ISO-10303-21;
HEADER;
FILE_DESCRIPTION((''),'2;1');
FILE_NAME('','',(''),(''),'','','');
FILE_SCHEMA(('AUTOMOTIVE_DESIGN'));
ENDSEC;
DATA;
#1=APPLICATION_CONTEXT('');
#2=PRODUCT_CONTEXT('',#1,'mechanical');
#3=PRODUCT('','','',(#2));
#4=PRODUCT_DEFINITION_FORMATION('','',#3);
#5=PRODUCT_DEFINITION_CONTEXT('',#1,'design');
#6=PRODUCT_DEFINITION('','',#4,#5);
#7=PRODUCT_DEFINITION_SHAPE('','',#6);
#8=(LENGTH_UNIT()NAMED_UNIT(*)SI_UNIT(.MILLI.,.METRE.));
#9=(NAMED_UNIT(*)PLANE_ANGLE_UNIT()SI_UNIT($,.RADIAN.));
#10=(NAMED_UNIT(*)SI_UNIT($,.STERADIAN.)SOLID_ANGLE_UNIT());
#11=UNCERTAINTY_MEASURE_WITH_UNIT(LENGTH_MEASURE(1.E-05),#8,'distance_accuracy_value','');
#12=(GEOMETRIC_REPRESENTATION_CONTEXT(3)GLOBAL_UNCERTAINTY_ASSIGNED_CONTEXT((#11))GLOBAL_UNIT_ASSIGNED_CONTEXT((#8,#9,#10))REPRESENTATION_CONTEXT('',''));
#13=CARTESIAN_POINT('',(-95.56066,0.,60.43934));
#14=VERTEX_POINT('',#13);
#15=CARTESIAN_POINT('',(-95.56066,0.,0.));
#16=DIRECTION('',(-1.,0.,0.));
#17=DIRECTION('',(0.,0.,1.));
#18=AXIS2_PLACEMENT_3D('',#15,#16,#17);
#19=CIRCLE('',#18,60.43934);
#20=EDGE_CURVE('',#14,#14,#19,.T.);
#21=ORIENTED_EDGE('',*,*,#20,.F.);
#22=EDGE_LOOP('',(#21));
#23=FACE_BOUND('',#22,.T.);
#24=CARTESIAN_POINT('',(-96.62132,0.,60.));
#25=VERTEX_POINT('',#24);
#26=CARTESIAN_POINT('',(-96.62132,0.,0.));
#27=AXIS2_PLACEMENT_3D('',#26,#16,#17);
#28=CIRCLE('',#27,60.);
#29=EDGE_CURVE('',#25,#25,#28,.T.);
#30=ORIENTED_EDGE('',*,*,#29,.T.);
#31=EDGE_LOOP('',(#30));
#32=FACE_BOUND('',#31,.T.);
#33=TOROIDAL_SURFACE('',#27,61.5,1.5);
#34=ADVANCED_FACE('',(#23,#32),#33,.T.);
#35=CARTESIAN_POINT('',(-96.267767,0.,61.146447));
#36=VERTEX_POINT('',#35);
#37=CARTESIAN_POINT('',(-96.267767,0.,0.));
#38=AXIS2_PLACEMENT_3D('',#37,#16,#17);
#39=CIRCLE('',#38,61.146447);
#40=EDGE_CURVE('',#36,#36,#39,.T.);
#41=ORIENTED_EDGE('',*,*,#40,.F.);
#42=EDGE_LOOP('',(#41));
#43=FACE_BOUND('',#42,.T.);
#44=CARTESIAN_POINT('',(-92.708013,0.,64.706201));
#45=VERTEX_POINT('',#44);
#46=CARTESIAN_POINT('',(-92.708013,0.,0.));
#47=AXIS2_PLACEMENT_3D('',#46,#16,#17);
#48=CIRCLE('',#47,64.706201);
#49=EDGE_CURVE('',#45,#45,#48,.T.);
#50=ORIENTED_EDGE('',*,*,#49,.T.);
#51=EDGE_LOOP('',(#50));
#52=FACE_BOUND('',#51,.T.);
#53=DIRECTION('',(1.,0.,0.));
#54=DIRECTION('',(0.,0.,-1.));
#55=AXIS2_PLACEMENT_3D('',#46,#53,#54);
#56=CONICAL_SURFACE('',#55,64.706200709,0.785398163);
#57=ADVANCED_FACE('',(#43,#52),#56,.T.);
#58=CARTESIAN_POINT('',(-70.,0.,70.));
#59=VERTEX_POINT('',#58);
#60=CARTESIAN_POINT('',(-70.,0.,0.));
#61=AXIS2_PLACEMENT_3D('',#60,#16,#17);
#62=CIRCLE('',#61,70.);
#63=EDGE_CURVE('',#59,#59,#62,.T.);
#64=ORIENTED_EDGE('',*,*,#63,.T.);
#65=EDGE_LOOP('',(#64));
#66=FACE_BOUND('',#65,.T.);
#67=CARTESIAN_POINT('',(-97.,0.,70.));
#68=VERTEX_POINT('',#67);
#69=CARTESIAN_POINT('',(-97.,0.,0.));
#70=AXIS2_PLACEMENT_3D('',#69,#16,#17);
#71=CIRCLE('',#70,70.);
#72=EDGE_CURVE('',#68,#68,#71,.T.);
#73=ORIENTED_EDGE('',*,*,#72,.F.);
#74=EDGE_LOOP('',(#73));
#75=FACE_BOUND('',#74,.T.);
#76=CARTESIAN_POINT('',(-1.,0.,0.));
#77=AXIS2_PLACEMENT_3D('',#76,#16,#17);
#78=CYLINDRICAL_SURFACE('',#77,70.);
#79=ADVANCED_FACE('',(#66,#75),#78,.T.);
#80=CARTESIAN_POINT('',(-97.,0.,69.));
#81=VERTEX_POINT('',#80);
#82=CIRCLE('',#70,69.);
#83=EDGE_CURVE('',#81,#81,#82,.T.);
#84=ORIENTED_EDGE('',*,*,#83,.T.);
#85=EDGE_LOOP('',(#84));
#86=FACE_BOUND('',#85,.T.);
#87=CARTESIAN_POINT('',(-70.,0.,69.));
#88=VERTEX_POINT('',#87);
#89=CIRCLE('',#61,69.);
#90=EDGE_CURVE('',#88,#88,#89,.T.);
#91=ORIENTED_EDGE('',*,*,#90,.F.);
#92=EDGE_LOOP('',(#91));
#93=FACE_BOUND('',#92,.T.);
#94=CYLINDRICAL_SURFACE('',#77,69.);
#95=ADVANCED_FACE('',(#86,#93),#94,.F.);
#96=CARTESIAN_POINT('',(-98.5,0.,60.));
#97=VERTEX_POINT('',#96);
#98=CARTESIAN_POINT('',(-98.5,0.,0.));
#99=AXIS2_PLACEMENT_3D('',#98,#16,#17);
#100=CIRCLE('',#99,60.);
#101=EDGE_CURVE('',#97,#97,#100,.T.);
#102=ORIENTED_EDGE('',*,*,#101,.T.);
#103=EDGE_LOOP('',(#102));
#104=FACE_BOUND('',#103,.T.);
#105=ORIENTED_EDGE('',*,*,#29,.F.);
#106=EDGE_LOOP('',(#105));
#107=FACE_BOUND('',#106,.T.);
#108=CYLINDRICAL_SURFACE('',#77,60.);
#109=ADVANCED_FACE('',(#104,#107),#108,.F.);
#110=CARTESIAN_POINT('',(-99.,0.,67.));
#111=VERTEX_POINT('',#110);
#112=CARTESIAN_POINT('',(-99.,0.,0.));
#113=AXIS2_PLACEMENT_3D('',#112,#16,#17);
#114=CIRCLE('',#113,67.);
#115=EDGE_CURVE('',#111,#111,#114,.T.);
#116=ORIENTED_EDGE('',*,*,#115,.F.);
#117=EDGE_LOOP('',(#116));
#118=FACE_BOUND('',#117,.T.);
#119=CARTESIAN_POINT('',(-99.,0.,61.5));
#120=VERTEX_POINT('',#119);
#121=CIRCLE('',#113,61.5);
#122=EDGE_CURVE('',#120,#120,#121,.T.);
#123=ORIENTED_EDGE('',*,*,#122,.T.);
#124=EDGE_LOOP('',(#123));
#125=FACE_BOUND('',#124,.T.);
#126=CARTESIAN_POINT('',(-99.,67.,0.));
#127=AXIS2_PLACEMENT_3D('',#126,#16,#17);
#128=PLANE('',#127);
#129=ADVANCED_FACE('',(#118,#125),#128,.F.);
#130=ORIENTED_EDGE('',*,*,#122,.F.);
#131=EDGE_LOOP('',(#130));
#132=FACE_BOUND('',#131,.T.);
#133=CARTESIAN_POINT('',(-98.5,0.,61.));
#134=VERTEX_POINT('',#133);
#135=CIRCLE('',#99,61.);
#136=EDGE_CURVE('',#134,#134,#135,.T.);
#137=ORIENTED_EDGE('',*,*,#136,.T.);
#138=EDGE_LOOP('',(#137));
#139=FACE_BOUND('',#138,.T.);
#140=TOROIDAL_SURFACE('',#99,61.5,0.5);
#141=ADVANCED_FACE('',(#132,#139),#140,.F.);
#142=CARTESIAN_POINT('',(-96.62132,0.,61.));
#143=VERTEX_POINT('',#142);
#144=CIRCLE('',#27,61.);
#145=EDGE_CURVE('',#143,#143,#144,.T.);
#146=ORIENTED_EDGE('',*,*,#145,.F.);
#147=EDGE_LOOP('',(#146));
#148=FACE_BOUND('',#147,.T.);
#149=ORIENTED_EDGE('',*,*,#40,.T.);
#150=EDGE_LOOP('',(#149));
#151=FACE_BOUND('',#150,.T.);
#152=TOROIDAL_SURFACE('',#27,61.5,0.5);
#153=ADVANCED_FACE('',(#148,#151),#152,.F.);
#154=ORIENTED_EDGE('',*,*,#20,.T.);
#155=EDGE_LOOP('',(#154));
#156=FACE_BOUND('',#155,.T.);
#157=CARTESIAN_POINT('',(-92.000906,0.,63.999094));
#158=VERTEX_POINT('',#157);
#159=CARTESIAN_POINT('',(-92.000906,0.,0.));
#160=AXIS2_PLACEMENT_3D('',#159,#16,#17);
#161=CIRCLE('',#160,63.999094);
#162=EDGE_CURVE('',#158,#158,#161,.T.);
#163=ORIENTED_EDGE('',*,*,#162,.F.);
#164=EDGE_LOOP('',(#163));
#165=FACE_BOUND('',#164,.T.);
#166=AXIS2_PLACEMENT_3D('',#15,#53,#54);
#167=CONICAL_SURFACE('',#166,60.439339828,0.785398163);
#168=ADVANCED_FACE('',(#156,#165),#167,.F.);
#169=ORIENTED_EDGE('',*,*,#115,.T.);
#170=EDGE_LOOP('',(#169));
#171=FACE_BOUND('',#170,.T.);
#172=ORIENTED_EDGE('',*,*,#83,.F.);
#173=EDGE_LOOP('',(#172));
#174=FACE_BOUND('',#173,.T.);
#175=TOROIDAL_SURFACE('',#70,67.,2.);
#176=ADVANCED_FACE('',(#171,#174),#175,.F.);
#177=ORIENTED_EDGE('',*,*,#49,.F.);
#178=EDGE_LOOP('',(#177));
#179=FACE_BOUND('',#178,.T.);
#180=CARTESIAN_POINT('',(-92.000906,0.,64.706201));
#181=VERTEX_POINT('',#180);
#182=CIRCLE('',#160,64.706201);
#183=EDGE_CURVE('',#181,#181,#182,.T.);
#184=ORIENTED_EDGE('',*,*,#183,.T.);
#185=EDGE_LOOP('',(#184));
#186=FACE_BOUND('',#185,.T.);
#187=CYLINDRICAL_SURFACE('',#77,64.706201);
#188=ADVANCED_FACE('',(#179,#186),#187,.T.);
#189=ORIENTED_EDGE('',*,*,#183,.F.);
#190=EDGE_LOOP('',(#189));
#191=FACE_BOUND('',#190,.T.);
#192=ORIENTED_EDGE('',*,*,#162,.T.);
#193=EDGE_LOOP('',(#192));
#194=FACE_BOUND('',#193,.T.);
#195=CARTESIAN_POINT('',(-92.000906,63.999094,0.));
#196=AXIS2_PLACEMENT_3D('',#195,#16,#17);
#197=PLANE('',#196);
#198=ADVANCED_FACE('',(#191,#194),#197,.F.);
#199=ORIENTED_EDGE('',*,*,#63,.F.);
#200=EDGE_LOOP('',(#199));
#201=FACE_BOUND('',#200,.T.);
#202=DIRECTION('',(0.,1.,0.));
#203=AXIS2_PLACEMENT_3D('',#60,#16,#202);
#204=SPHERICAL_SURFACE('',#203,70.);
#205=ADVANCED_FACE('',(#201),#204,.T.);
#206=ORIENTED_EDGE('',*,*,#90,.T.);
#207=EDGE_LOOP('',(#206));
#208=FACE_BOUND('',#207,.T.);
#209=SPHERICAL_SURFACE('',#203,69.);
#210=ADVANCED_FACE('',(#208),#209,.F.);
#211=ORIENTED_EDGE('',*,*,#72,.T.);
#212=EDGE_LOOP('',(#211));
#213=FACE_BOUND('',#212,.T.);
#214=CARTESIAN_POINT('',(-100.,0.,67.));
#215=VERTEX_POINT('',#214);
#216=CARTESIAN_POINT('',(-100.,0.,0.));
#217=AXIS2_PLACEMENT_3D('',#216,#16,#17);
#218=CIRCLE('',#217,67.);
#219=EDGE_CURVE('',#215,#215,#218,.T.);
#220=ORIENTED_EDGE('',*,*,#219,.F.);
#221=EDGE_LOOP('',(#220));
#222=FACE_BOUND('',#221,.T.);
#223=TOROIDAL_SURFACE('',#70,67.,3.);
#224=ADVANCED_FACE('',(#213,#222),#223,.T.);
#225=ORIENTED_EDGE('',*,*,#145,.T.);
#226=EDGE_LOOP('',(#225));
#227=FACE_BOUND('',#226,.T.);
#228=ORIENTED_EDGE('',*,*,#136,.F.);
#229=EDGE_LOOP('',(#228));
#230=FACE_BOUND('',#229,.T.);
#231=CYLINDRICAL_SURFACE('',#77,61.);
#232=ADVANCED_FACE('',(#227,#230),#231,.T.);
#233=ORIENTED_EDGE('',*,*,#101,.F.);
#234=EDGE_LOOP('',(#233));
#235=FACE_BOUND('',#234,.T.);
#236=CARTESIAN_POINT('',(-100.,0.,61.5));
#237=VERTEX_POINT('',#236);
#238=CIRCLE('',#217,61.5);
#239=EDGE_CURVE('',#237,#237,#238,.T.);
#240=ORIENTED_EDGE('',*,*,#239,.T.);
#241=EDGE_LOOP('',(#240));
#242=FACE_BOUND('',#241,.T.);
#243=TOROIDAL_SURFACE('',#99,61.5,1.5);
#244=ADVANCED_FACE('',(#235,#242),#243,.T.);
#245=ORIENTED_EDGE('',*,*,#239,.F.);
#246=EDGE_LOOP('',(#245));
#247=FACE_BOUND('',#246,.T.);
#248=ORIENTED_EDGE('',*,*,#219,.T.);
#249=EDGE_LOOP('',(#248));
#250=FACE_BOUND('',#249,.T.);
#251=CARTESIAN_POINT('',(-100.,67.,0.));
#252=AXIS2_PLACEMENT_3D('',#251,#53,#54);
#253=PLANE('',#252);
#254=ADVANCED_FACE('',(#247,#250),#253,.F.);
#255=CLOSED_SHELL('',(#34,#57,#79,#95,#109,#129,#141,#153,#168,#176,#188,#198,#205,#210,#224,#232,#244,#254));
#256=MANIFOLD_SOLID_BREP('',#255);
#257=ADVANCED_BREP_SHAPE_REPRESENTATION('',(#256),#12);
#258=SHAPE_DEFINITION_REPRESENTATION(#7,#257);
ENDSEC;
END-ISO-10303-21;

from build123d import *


with BuildPart() as part:
    # Sketch1 → Revolve1 (revolve)
    with BuildSketch(Plane.XY):
        with BuildLine():
            Line((-70, 70), (-97, 70))
            ThreePointArc((-97, 70), (-99.121320344, 69.121320344), (-100, 67))
            Line((-100, 67), (-100, 61.5))
            ThreePointArc((-100, 61.5), (-99.560660172, 60.439339828), (-98.5, 60))
            Line((-98.5, 60), (-96.621320344, 60))
            ThreePointArc((-96.621320344, 60), (-96.047295195, 60.114180701), (-95.560660172, 60.439339828))
            Line((-95.560660172, 60.439339828), (-92.000906073, 63.999093927))
            Line((-92.000906073, 63.999093927), (-92.000906073, 64.706200709))
            Line((-92.000906073, 64.706200709), (-92.708012854, 64.706200709))
            Line((-92.708012854, 64.706200709), (-96.267766953, 61.146446609))
            ThreePointArc((-96.267766953, 61.146446609), (-96.429978627, 61.038060234), (-96.621320344, 61))
            Line((-96.621320344, 61), (-98.5, 61))
            ThreePointArc((-98.5, 61), (-98.853553391, 61.146446609), (-99, 61.5))
            Line((-99, 61.5), (-99, 67))
            ThreePointArc((-99, 67), (-98.414213562, 68.414213562), (-97, 69))
            Line((-97, 69), (-70, 69))
            ThreePointArc((-70, 69), (-21.209632098, 48.790367902), (-1, 0))
            Line((-1, 0), (0, 0))
            ThreePointArc((0, 0), (-20.502525317, 49.497474683), (-70, 70))
        make_face()
    revolve(axis=Axis((-1, 0, 0), (1, 0, 0)))


solid = part.part
